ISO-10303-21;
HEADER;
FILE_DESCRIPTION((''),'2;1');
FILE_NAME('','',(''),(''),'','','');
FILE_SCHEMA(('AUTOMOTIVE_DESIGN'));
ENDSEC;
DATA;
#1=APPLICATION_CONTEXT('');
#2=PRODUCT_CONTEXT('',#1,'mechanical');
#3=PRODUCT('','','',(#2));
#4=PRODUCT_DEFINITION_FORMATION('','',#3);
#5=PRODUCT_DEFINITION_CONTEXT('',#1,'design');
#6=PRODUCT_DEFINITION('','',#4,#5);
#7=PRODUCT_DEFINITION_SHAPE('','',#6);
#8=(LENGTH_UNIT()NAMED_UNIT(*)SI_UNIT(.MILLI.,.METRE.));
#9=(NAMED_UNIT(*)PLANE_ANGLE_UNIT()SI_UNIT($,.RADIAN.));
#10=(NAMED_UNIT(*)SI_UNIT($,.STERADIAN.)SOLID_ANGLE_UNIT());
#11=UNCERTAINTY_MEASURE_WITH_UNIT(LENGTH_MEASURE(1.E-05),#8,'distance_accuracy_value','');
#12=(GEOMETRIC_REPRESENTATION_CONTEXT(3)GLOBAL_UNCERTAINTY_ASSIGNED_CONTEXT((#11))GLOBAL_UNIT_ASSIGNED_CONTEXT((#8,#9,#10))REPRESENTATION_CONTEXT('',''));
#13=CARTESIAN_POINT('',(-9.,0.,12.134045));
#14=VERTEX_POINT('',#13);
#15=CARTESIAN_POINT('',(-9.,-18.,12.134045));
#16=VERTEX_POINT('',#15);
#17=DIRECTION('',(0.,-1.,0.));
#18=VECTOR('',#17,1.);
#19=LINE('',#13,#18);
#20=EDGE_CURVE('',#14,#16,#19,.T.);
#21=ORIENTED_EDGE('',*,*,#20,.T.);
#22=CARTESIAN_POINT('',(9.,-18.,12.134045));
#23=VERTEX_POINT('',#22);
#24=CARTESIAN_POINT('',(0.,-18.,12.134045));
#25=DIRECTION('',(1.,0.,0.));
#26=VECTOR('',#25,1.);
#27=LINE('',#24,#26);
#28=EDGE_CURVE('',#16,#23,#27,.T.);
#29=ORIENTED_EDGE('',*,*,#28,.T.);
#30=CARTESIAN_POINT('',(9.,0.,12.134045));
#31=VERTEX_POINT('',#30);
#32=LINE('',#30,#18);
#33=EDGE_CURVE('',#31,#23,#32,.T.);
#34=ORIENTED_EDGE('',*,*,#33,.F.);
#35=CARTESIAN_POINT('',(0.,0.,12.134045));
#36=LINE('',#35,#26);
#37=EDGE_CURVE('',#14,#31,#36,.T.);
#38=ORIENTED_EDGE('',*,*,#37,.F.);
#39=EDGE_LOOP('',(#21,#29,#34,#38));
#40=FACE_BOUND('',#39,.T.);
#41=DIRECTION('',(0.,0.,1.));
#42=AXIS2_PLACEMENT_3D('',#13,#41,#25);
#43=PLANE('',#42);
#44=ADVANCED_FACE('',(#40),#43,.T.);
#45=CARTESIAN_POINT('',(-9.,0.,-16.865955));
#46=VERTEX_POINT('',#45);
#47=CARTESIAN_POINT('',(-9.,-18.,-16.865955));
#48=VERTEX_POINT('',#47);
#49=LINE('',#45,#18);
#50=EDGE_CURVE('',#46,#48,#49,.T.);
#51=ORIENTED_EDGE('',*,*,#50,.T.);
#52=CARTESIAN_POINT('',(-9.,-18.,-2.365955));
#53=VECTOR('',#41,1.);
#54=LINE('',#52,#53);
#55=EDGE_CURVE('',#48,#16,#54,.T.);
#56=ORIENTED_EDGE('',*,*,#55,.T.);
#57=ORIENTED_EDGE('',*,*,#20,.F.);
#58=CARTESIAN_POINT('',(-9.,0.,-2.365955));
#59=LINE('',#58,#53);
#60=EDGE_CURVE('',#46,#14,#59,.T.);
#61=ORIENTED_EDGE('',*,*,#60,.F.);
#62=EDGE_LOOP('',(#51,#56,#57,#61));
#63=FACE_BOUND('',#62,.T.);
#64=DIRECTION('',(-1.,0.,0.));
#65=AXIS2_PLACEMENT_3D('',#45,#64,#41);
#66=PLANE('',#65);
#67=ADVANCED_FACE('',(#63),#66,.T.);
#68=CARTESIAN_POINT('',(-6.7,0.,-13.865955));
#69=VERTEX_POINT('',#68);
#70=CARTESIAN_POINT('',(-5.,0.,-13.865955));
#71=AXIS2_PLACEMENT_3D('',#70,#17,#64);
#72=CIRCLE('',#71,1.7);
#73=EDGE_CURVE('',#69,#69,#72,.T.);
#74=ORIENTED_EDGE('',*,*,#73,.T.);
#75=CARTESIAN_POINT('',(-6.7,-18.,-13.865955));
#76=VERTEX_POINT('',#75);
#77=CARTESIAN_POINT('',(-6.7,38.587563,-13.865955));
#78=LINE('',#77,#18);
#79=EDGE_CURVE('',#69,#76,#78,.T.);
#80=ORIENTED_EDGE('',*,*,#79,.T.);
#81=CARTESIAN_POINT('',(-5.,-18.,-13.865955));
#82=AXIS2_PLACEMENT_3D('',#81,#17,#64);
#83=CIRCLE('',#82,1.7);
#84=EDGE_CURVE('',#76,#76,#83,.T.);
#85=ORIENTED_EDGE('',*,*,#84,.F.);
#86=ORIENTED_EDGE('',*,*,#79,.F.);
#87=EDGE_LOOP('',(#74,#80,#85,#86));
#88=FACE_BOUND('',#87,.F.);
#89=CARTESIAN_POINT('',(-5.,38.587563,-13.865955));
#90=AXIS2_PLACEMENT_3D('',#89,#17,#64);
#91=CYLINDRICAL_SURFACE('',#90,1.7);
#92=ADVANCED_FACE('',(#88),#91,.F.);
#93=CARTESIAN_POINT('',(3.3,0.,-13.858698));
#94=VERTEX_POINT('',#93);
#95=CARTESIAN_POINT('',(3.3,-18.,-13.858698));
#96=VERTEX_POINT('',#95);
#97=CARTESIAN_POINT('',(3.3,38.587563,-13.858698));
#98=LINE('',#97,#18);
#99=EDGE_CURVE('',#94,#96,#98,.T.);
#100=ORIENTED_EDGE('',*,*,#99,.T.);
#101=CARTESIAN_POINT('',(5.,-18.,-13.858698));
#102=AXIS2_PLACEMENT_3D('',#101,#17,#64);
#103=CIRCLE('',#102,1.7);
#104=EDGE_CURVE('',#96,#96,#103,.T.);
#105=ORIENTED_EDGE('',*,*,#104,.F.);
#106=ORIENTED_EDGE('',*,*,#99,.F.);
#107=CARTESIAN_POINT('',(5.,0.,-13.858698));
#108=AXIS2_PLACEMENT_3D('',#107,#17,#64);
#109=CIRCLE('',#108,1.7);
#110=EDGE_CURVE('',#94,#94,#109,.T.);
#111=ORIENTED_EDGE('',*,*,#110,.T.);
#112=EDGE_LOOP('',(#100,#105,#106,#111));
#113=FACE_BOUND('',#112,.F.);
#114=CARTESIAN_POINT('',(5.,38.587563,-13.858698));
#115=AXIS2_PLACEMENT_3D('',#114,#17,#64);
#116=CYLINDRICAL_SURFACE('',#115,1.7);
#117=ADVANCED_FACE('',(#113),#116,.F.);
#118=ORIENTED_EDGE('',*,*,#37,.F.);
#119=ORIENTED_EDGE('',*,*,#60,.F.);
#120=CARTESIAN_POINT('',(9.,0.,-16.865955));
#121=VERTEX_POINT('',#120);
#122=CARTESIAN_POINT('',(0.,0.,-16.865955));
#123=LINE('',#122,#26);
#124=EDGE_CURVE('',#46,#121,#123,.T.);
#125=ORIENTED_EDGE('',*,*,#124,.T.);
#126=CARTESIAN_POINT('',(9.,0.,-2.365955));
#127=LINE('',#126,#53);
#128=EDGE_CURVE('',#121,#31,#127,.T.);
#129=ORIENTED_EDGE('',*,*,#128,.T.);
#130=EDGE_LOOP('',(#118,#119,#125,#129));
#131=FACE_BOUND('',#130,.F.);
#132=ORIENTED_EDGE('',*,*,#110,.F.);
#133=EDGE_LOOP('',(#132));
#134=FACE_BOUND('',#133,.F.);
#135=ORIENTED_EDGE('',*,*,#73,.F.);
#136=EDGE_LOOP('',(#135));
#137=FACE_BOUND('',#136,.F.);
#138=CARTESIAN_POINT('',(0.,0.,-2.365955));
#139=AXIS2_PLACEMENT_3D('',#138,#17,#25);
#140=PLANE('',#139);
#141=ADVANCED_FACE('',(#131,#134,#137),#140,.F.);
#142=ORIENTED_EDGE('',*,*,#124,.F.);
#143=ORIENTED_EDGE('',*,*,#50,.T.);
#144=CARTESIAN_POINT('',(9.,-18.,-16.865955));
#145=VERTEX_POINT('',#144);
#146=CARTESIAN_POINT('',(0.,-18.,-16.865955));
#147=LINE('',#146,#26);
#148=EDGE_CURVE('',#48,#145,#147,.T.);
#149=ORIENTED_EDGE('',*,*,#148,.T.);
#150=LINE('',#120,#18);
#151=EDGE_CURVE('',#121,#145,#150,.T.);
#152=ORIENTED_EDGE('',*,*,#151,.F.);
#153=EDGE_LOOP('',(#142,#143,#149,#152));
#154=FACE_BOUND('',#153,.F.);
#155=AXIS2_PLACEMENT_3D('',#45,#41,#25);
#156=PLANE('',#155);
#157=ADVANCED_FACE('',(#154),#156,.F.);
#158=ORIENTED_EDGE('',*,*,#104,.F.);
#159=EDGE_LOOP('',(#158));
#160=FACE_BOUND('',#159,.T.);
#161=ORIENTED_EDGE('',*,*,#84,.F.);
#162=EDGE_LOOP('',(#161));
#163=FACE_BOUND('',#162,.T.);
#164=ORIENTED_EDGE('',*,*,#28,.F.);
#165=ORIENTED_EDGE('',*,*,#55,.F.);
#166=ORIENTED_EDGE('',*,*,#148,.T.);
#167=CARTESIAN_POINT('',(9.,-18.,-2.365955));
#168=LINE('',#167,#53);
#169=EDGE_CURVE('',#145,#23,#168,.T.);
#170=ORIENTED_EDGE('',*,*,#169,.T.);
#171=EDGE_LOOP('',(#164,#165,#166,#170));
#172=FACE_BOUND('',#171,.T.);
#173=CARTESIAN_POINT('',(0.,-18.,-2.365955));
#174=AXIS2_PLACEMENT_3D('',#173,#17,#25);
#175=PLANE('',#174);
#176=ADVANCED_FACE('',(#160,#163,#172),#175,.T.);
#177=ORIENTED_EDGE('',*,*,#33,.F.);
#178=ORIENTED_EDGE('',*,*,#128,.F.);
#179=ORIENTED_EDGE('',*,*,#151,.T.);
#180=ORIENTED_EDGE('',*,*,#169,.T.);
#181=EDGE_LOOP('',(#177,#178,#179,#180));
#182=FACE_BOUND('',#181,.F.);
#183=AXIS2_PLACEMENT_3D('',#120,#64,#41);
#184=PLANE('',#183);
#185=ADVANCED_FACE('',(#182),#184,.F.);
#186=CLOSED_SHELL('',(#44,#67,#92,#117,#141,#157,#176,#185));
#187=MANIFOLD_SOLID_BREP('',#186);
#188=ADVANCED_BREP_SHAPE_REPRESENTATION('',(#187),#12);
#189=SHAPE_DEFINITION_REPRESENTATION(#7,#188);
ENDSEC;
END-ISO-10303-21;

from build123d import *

# Parameters (mm, degrees)
F0_W     = 18
F0_H     = 29
F1_DEPTH = 18
F2_D     = 3.4


with BuildPart() as f1:
    # F0 (on Front) → F1 (new body)
    with BuildSketch(Plane.XZ):
        with Locations((0, -2.3659545546)):
            Rectangle(F0_W, F0_H)
    extrude(amount=F1_DEPTH)

    # F2 (through all)
    with Locations(Plane(origin=(0, 0, 0), x_dir=(1, 0, 0), z_dir=(0, 1, 0))):
        with Locations((-5, 13.8659545546), (5, 13.8586984458)):
            Hole(F2_D / 2)


solid = f1.part
